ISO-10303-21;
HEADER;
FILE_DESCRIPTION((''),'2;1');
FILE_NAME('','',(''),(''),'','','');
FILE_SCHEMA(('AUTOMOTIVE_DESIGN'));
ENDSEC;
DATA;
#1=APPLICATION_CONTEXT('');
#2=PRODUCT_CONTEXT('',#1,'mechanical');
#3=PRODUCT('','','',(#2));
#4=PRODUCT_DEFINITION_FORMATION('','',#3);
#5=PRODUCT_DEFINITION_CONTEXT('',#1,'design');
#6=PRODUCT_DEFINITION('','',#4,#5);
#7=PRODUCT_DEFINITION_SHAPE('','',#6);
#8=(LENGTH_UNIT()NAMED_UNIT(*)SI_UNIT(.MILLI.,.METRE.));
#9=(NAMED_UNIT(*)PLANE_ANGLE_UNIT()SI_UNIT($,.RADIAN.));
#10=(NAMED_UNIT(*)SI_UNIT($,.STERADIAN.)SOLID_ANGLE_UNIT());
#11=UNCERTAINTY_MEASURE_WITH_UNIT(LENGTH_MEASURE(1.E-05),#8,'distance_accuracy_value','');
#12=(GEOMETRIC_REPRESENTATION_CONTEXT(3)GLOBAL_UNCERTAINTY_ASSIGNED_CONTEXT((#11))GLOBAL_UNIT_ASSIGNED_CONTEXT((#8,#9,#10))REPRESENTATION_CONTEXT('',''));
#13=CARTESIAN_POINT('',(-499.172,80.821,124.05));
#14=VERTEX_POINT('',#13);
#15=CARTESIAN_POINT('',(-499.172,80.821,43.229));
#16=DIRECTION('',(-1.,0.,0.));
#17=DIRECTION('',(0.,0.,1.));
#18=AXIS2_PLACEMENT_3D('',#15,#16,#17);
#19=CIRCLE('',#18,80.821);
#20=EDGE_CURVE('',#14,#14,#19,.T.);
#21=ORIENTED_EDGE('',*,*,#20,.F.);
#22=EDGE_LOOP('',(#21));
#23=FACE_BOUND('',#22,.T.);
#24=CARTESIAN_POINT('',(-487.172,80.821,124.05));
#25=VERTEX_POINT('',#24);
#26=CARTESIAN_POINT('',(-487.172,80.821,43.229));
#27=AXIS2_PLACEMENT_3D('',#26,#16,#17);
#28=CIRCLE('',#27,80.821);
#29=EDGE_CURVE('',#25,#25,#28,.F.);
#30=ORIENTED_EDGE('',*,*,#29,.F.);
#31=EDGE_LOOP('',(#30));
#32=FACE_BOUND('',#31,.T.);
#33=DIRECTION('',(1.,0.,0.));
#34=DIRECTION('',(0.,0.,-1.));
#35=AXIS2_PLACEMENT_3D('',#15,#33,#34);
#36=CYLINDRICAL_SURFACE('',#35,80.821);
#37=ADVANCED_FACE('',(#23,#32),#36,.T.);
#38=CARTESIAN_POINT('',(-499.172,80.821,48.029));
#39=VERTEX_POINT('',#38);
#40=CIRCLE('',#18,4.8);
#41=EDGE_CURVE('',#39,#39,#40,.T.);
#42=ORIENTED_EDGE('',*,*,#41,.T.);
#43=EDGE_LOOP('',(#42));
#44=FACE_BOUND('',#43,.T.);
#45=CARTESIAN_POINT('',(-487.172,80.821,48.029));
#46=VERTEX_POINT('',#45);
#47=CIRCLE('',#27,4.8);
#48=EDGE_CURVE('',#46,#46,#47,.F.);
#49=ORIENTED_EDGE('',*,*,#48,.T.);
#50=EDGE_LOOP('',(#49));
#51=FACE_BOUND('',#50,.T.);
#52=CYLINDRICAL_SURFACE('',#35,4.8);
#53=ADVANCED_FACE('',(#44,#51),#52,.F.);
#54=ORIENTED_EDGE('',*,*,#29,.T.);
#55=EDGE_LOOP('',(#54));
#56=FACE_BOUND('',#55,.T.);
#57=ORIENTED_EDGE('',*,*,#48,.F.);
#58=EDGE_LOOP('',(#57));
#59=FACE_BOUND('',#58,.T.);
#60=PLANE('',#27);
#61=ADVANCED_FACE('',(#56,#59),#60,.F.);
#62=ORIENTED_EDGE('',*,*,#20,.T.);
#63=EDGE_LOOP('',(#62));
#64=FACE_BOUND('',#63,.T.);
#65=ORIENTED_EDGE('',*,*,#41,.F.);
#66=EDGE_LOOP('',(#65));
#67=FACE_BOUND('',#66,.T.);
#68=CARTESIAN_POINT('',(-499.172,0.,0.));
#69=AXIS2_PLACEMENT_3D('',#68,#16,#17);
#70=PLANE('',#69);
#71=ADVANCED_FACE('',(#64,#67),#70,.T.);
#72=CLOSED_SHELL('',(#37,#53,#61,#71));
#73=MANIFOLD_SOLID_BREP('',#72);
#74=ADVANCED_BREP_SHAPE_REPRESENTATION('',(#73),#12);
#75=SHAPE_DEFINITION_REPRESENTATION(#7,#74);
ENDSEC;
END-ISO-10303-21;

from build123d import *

# Parameters (mm, degrees)
BOSS_EXTRUDE1_DEPTH      = 2
BOSS_EXTRUDE1_DEPTH_BACK = 10
SKETCH1_R                = 80.821
SKETCH1_R_2              = 4.8


with BuildPart() as part:
    # Sketch1 → Boss-Extrude1 (new, two sides: drawn at the far end of the back side and taken through both)
    with BuildSketch(Plane.ZY.offset(497.172).offset(-BOSS_EXTRUDE1_DEPTH_BACK)):
        with Locations((43.229, 80.821)):
            Circle(SKETCH1_R)
        with Locations((43.229, 80.821)):
            Circle(SKETCH1_R_2, mode=Mode.SUBTRACT)
    extrude(amount=BOSS_EXTRUDE1_DEPTH + BOSS_EXTRUDE1_DEPTH_BACK)


solid = part.part
